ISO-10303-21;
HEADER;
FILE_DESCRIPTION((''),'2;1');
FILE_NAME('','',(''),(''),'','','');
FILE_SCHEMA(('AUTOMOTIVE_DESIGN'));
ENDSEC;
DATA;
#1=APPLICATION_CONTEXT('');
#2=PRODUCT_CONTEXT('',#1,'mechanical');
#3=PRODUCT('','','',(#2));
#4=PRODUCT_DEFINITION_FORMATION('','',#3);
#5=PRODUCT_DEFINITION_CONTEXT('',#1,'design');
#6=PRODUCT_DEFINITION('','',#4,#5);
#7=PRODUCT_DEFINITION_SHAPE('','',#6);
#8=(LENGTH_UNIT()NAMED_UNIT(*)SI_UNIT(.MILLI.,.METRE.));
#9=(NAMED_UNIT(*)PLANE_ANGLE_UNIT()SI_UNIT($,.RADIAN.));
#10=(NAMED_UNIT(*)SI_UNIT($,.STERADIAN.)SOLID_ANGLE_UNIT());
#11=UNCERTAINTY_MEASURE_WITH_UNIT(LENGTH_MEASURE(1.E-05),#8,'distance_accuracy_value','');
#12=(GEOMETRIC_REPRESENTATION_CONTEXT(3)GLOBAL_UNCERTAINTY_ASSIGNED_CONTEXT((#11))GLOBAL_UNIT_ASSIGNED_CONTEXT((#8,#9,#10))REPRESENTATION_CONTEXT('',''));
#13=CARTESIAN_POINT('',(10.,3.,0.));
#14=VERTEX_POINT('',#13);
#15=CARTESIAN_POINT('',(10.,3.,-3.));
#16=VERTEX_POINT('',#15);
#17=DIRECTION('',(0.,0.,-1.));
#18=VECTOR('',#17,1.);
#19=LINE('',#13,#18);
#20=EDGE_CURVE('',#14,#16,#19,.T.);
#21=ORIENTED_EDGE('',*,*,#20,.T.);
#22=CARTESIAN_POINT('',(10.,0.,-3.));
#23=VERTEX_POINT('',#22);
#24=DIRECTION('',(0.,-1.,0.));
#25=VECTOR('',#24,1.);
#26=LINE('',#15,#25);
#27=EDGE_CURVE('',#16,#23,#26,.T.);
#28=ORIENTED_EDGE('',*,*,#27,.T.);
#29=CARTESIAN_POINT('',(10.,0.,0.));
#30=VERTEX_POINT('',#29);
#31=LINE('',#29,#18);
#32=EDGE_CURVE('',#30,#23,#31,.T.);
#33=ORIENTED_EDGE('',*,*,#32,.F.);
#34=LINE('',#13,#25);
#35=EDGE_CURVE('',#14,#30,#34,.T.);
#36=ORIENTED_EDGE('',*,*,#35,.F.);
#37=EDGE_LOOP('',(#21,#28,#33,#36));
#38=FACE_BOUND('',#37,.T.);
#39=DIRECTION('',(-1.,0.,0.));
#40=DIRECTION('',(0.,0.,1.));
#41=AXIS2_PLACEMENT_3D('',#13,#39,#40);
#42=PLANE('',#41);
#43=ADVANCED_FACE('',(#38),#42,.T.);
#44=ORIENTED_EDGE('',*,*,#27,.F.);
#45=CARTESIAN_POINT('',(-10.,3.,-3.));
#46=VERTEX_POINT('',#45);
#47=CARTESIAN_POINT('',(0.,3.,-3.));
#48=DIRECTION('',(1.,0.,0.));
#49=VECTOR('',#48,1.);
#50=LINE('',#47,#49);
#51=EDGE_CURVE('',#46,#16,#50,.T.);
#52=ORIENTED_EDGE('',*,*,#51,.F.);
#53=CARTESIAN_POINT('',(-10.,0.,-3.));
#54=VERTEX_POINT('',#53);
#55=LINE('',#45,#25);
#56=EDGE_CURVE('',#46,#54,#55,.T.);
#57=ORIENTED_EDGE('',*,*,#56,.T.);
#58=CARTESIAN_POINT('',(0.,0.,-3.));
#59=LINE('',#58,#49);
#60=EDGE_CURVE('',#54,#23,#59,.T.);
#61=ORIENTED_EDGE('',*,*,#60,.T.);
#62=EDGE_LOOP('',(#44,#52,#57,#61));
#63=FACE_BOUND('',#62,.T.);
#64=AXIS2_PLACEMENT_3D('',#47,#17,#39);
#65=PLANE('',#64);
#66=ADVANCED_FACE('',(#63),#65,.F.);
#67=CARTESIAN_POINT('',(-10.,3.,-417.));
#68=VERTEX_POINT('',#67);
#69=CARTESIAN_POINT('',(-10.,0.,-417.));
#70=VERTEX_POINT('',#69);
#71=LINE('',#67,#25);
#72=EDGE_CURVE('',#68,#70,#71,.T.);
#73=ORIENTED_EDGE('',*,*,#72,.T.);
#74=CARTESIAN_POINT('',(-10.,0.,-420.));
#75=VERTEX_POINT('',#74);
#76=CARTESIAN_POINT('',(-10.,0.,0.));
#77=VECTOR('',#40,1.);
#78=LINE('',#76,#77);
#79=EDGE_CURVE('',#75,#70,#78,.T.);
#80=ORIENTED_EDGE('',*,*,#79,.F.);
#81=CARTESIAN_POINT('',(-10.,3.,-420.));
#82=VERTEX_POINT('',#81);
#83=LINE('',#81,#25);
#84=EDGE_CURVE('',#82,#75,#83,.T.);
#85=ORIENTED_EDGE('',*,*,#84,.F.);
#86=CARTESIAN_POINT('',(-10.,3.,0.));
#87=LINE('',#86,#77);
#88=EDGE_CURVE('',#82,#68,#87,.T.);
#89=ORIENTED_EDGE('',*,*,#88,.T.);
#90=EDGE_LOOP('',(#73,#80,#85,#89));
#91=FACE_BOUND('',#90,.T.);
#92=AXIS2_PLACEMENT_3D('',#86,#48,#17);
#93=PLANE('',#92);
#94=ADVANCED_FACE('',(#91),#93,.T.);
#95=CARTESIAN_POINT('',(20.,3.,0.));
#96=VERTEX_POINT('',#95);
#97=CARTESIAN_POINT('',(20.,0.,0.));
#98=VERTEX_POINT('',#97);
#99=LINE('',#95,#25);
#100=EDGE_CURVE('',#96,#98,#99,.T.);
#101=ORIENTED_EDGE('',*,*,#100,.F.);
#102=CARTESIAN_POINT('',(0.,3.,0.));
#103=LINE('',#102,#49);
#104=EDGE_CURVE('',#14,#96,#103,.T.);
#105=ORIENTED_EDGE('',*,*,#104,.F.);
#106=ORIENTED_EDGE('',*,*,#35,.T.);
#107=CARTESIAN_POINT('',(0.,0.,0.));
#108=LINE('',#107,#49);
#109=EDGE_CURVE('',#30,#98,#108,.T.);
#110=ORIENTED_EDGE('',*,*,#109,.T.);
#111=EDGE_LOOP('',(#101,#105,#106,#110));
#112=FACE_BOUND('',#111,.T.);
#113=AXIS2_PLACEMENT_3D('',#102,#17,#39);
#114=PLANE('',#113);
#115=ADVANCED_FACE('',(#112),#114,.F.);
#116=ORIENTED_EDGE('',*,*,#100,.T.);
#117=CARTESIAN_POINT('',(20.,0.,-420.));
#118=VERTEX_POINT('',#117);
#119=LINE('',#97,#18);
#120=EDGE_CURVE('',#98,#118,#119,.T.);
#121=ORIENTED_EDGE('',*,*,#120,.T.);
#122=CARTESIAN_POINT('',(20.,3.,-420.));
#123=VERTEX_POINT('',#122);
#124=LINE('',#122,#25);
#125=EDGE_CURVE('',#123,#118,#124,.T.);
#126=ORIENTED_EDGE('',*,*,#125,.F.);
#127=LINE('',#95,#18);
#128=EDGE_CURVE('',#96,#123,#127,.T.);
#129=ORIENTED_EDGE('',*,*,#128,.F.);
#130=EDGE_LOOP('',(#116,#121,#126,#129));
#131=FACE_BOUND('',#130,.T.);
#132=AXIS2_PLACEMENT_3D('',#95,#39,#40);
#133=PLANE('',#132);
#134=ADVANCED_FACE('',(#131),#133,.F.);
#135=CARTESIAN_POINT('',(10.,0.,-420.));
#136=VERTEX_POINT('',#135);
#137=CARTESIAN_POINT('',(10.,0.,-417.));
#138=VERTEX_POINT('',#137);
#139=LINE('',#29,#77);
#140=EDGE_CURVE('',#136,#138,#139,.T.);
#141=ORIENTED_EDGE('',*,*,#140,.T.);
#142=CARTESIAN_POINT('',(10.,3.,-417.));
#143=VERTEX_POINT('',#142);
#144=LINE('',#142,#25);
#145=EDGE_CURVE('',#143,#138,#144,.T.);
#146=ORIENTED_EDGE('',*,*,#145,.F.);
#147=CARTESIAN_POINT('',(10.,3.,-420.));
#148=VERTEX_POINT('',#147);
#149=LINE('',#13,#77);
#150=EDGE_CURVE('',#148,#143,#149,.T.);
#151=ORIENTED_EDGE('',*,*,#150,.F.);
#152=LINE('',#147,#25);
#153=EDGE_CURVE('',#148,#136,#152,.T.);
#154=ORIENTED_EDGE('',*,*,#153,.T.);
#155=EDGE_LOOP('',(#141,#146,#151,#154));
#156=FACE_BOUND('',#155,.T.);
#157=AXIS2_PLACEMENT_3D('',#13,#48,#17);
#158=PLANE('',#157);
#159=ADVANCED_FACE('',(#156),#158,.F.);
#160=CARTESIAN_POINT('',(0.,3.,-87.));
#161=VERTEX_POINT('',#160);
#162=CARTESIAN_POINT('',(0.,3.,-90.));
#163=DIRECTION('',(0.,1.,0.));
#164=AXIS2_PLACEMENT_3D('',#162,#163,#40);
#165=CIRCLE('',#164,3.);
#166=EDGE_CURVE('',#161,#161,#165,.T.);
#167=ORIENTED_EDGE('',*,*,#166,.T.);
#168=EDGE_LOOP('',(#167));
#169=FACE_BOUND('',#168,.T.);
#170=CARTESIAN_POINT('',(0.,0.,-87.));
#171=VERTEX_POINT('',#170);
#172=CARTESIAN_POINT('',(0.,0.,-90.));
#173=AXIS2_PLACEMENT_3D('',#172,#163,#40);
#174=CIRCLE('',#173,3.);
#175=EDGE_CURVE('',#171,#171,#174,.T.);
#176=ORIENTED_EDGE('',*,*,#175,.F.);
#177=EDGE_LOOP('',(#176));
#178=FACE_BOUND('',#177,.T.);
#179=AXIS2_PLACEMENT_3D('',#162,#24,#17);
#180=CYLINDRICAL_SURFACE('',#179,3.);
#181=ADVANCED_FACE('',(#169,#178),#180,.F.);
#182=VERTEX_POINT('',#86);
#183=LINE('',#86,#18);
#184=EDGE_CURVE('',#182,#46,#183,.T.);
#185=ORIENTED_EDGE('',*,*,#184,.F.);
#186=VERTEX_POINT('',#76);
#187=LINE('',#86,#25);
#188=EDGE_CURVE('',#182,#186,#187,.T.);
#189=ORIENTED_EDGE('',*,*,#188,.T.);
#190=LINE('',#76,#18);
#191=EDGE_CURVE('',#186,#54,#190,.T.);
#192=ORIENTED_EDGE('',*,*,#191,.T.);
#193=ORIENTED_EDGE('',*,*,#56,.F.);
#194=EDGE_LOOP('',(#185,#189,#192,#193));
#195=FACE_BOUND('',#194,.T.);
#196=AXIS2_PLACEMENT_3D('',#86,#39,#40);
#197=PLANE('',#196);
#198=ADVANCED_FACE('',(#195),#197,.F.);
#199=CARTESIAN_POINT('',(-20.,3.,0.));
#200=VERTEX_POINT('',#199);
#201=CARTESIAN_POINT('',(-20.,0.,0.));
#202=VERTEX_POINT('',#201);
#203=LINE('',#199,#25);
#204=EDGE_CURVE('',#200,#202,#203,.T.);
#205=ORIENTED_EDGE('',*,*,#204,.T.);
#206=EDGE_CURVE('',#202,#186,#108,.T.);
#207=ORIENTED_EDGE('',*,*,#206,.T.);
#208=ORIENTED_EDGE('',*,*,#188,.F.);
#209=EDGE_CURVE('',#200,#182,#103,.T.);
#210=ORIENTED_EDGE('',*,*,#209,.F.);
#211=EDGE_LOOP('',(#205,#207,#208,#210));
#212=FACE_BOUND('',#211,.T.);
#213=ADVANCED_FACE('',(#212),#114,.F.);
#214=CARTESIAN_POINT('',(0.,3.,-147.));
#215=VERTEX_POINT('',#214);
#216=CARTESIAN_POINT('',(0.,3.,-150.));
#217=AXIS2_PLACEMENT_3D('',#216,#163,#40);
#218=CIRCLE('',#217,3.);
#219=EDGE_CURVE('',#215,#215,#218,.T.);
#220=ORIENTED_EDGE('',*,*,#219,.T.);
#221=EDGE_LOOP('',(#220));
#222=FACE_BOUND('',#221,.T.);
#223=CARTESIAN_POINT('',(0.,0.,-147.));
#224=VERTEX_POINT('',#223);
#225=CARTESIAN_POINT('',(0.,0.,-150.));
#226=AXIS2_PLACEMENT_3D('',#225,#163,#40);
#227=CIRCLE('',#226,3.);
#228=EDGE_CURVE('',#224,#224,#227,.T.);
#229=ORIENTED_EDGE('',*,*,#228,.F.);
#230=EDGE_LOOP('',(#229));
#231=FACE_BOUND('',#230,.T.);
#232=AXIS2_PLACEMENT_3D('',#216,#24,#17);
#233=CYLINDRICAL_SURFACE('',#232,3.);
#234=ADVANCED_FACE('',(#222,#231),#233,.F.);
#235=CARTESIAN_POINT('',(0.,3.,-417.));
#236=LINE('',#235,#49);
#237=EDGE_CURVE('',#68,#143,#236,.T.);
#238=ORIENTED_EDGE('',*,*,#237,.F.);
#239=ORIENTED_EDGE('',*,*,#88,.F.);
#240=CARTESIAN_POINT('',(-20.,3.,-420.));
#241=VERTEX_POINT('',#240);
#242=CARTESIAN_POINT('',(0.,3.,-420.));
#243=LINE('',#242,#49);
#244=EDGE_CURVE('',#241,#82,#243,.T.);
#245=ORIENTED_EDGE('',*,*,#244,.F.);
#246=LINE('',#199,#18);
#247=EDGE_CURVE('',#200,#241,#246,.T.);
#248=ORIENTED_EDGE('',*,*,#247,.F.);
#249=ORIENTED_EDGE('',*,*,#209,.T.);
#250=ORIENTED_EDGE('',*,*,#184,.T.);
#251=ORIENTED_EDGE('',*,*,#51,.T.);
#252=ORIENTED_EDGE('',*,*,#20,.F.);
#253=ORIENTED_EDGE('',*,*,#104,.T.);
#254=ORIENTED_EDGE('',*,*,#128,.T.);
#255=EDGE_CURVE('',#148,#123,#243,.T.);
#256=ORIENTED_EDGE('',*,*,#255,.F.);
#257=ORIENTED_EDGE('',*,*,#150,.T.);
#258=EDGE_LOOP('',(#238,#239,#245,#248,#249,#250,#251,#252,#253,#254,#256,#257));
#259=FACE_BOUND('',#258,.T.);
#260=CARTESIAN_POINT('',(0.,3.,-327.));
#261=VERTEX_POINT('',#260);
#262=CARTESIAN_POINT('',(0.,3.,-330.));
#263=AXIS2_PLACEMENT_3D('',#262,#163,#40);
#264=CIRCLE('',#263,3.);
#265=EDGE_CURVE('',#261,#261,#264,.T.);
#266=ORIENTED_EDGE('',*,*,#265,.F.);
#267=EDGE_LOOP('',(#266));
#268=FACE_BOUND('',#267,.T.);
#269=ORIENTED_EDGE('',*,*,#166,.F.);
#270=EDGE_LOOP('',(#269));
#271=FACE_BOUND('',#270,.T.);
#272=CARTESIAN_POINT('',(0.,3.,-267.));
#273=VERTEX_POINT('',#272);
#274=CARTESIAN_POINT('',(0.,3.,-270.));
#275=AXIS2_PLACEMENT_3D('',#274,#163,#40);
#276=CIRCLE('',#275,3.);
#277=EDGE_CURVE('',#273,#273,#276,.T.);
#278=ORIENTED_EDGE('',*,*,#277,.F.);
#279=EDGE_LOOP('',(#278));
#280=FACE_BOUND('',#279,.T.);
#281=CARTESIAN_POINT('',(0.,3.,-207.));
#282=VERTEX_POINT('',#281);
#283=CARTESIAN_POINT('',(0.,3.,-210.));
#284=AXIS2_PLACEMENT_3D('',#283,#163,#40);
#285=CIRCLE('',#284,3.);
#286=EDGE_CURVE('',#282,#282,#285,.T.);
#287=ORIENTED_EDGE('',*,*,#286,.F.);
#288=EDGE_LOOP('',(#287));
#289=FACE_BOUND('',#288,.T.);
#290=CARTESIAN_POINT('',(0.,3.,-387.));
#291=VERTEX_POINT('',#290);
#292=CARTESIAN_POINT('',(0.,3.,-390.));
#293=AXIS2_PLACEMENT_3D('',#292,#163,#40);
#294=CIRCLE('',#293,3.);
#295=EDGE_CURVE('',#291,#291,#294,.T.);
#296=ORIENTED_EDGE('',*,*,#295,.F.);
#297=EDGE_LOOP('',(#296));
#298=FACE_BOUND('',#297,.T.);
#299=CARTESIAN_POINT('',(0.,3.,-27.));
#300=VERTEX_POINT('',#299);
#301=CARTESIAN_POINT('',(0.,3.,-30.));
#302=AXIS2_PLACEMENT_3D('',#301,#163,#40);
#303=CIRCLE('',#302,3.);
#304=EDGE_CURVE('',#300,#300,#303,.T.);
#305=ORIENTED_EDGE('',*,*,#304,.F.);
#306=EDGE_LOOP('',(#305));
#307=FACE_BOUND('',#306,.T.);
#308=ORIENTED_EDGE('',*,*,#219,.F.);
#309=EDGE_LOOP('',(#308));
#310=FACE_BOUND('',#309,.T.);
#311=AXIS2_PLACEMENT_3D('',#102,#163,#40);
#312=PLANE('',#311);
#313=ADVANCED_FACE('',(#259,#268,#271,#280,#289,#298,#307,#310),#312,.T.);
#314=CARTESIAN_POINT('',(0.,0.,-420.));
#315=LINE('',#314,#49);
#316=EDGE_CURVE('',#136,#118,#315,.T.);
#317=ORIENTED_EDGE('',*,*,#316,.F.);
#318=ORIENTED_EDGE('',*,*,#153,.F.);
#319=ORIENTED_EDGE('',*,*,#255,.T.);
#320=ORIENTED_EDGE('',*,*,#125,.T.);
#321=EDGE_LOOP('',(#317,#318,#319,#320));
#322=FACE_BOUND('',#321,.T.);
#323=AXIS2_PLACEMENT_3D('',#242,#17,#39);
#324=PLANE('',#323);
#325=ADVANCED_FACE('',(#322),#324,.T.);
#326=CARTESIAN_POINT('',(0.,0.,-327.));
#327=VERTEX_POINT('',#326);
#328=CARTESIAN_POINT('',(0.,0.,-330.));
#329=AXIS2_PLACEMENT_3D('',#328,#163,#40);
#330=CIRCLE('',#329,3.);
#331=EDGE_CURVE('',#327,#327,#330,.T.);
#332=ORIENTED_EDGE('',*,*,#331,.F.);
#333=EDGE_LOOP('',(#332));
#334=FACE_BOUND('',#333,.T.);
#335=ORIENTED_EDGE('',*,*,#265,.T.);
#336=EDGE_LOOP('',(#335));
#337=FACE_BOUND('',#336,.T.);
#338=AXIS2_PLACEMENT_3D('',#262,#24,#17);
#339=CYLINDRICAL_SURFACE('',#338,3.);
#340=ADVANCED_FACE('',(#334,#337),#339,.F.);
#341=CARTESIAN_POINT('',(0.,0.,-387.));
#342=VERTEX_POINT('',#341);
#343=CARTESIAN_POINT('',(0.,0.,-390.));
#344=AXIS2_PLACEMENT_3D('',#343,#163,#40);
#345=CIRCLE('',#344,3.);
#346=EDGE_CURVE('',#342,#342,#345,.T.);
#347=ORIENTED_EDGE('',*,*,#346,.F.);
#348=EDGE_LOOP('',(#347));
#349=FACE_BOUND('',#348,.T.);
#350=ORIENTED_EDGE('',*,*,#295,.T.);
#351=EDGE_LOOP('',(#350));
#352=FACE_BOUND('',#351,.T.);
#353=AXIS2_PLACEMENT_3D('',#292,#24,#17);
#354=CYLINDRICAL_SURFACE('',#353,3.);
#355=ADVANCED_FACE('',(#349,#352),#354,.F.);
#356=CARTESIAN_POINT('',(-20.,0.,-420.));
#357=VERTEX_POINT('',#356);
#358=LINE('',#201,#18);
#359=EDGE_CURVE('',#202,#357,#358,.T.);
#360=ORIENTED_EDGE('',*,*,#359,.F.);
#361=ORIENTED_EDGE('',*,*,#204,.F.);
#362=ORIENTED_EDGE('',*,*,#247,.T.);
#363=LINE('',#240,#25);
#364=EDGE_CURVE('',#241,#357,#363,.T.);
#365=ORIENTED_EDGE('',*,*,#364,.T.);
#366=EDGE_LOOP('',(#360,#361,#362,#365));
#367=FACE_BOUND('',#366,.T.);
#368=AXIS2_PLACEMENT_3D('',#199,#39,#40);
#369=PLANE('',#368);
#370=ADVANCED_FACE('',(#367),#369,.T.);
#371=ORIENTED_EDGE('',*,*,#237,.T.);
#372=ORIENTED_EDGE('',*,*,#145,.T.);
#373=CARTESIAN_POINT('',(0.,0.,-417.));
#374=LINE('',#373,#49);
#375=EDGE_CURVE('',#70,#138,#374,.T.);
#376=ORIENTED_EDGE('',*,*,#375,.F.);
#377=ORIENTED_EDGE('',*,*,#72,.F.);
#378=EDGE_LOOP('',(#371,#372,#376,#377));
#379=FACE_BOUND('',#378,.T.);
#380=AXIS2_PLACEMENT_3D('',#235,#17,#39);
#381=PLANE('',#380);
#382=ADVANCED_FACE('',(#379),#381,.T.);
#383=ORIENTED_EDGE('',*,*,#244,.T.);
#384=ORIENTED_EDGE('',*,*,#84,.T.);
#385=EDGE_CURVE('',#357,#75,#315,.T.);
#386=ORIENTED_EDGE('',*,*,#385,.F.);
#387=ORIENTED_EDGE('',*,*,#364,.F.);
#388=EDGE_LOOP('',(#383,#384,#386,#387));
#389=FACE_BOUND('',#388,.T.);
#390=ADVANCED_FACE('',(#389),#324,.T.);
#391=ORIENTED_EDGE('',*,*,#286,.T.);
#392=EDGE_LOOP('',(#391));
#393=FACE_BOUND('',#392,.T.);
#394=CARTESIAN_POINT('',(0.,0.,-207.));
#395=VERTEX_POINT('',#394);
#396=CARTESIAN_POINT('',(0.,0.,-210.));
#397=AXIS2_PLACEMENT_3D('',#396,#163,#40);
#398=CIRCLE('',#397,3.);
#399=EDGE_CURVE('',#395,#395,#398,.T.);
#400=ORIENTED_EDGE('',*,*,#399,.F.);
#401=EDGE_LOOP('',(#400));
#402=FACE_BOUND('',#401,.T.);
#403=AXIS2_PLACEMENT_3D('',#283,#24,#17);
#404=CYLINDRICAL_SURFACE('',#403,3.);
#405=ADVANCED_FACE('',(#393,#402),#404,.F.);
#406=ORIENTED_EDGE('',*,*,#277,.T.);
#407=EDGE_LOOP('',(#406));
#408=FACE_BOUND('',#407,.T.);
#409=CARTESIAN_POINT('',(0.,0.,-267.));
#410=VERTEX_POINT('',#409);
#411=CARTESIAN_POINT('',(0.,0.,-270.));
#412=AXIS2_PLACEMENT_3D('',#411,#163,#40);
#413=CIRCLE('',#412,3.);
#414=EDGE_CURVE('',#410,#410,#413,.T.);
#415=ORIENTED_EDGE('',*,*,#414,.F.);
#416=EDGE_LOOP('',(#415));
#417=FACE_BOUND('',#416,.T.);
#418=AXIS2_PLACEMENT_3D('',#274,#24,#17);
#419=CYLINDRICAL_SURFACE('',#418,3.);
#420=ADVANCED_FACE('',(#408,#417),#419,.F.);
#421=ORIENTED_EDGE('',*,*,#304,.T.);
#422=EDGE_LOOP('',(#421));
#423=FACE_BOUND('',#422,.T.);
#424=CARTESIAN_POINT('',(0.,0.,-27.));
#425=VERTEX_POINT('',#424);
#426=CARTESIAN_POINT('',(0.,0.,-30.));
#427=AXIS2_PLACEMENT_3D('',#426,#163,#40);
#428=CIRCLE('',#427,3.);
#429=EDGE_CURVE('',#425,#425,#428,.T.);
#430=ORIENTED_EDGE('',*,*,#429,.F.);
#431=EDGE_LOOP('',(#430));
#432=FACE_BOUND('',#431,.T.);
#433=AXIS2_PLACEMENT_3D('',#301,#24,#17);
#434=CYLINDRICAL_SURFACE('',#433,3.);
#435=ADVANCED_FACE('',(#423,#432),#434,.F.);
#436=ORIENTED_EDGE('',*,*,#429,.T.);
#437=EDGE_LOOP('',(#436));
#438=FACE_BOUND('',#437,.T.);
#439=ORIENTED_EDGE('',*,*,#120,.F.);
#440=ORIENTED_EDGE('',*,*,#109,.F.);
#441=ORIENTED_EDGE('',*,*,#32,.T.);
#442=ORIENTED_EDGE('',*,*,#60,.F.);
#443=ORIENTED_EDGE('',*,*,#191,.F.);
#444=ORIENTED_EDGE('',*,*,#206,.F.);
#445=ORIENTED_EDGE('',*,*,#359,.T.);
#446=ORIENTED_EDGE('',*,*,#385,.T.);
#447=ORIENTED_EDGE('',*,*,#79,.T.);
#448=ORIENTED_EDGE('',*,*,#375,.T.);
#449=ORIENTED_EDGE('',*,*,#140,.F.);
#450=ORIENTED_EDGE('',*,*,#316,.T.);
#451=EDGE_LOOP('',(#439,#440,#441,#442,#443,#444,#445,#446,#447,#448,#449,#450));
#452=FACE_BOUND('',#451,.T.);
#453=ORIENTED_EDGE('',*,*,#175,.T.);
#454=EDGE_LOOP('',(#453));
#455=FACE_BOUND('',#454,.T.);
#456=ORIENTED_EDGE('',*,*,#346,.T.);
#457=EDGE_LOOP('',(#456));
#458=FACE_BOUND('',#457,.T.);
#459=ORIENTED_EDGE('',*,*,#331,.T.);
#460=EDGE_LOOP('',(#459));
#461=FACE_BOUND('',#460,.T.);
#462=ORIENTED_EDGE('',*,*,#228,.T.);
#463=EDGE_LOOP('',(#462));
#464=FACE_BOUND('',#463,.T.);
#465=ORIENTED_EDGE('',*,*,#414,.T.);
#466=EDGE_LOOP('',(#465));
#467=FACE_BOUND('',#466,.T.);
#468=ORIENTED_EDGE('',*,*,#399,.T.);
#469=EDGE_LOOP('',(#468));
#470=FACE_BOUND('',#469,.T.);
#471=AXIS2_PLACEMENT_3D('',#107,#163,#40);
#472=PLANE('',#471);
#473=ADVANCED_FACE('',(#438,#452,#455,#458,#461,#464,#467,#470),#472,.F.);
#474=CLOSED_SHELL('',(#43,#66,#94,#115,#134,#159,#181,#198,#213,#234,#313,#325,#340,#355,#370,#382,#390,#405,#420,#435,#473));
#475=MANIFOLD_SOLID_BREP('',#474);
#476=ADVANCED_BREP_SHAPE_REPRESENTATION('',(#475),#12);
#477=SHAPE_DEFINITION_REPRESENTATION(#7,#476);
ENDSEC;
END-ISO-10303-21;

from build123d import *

# Parameters (mm, degrees)
SKETCH1_R           = 3
BOSS_EXTRUDE1_DEPTH = 3


with BuildPart() as part:
    # Sketch1 → Boss-Extrude1 (new body)
    with BuildSketch(Plane(origin=(0, 0, 0), x_dir=(1, 0, 0), z_dir=(0, 1, 0))):
        Polygon((-20, 420), (-20, 0), (-10, 0), (-10, 3), (10, 3), (10, 0), (20, 0), (20, 420), (10, 420), (10, 417), (-10, 417), (-10, 420), align=None)
        with Locations(Location((0, 90, 0), (0, 0, 270))):
            Circle(SKETCH1_R, mode=Mode.SUBTRACT)
        with Locations(Location((0, 150, 0), (0, 0, 270))):
            Circle(SKETCH1_R, mode=Mode.SUBTRACT)
        with Locations(Location((0, 30, 0), (0, 0, 270))):
            Circle(SKETCH1_R, mode=Mode.SUBTRACT)
        with Locations(Location((0, 210, 0), (0, 0, 270))):
            Circle(SKETCH1_R, mode=Mode.SUBTRACT)
        with Locations(Location((0, 270, 0), (0, 0, 270))):
            Circle(SKETCH1_R, mode=Mode.SUBTRACT)
        with Locations(Location((0, 330, 0), (0, 0, 270))):
            Circle(SKETCH1_R, mode=Mode.SUBTRACT)
        with Locations(Location((0, 390, 0), (0, 0, 270))):
            Circle(SKETCH1_R, mode=Mode.SUBTRACT)
    extrude(amount=BOSS_EXTRUDE1_DEPTH)


solid = part.part
